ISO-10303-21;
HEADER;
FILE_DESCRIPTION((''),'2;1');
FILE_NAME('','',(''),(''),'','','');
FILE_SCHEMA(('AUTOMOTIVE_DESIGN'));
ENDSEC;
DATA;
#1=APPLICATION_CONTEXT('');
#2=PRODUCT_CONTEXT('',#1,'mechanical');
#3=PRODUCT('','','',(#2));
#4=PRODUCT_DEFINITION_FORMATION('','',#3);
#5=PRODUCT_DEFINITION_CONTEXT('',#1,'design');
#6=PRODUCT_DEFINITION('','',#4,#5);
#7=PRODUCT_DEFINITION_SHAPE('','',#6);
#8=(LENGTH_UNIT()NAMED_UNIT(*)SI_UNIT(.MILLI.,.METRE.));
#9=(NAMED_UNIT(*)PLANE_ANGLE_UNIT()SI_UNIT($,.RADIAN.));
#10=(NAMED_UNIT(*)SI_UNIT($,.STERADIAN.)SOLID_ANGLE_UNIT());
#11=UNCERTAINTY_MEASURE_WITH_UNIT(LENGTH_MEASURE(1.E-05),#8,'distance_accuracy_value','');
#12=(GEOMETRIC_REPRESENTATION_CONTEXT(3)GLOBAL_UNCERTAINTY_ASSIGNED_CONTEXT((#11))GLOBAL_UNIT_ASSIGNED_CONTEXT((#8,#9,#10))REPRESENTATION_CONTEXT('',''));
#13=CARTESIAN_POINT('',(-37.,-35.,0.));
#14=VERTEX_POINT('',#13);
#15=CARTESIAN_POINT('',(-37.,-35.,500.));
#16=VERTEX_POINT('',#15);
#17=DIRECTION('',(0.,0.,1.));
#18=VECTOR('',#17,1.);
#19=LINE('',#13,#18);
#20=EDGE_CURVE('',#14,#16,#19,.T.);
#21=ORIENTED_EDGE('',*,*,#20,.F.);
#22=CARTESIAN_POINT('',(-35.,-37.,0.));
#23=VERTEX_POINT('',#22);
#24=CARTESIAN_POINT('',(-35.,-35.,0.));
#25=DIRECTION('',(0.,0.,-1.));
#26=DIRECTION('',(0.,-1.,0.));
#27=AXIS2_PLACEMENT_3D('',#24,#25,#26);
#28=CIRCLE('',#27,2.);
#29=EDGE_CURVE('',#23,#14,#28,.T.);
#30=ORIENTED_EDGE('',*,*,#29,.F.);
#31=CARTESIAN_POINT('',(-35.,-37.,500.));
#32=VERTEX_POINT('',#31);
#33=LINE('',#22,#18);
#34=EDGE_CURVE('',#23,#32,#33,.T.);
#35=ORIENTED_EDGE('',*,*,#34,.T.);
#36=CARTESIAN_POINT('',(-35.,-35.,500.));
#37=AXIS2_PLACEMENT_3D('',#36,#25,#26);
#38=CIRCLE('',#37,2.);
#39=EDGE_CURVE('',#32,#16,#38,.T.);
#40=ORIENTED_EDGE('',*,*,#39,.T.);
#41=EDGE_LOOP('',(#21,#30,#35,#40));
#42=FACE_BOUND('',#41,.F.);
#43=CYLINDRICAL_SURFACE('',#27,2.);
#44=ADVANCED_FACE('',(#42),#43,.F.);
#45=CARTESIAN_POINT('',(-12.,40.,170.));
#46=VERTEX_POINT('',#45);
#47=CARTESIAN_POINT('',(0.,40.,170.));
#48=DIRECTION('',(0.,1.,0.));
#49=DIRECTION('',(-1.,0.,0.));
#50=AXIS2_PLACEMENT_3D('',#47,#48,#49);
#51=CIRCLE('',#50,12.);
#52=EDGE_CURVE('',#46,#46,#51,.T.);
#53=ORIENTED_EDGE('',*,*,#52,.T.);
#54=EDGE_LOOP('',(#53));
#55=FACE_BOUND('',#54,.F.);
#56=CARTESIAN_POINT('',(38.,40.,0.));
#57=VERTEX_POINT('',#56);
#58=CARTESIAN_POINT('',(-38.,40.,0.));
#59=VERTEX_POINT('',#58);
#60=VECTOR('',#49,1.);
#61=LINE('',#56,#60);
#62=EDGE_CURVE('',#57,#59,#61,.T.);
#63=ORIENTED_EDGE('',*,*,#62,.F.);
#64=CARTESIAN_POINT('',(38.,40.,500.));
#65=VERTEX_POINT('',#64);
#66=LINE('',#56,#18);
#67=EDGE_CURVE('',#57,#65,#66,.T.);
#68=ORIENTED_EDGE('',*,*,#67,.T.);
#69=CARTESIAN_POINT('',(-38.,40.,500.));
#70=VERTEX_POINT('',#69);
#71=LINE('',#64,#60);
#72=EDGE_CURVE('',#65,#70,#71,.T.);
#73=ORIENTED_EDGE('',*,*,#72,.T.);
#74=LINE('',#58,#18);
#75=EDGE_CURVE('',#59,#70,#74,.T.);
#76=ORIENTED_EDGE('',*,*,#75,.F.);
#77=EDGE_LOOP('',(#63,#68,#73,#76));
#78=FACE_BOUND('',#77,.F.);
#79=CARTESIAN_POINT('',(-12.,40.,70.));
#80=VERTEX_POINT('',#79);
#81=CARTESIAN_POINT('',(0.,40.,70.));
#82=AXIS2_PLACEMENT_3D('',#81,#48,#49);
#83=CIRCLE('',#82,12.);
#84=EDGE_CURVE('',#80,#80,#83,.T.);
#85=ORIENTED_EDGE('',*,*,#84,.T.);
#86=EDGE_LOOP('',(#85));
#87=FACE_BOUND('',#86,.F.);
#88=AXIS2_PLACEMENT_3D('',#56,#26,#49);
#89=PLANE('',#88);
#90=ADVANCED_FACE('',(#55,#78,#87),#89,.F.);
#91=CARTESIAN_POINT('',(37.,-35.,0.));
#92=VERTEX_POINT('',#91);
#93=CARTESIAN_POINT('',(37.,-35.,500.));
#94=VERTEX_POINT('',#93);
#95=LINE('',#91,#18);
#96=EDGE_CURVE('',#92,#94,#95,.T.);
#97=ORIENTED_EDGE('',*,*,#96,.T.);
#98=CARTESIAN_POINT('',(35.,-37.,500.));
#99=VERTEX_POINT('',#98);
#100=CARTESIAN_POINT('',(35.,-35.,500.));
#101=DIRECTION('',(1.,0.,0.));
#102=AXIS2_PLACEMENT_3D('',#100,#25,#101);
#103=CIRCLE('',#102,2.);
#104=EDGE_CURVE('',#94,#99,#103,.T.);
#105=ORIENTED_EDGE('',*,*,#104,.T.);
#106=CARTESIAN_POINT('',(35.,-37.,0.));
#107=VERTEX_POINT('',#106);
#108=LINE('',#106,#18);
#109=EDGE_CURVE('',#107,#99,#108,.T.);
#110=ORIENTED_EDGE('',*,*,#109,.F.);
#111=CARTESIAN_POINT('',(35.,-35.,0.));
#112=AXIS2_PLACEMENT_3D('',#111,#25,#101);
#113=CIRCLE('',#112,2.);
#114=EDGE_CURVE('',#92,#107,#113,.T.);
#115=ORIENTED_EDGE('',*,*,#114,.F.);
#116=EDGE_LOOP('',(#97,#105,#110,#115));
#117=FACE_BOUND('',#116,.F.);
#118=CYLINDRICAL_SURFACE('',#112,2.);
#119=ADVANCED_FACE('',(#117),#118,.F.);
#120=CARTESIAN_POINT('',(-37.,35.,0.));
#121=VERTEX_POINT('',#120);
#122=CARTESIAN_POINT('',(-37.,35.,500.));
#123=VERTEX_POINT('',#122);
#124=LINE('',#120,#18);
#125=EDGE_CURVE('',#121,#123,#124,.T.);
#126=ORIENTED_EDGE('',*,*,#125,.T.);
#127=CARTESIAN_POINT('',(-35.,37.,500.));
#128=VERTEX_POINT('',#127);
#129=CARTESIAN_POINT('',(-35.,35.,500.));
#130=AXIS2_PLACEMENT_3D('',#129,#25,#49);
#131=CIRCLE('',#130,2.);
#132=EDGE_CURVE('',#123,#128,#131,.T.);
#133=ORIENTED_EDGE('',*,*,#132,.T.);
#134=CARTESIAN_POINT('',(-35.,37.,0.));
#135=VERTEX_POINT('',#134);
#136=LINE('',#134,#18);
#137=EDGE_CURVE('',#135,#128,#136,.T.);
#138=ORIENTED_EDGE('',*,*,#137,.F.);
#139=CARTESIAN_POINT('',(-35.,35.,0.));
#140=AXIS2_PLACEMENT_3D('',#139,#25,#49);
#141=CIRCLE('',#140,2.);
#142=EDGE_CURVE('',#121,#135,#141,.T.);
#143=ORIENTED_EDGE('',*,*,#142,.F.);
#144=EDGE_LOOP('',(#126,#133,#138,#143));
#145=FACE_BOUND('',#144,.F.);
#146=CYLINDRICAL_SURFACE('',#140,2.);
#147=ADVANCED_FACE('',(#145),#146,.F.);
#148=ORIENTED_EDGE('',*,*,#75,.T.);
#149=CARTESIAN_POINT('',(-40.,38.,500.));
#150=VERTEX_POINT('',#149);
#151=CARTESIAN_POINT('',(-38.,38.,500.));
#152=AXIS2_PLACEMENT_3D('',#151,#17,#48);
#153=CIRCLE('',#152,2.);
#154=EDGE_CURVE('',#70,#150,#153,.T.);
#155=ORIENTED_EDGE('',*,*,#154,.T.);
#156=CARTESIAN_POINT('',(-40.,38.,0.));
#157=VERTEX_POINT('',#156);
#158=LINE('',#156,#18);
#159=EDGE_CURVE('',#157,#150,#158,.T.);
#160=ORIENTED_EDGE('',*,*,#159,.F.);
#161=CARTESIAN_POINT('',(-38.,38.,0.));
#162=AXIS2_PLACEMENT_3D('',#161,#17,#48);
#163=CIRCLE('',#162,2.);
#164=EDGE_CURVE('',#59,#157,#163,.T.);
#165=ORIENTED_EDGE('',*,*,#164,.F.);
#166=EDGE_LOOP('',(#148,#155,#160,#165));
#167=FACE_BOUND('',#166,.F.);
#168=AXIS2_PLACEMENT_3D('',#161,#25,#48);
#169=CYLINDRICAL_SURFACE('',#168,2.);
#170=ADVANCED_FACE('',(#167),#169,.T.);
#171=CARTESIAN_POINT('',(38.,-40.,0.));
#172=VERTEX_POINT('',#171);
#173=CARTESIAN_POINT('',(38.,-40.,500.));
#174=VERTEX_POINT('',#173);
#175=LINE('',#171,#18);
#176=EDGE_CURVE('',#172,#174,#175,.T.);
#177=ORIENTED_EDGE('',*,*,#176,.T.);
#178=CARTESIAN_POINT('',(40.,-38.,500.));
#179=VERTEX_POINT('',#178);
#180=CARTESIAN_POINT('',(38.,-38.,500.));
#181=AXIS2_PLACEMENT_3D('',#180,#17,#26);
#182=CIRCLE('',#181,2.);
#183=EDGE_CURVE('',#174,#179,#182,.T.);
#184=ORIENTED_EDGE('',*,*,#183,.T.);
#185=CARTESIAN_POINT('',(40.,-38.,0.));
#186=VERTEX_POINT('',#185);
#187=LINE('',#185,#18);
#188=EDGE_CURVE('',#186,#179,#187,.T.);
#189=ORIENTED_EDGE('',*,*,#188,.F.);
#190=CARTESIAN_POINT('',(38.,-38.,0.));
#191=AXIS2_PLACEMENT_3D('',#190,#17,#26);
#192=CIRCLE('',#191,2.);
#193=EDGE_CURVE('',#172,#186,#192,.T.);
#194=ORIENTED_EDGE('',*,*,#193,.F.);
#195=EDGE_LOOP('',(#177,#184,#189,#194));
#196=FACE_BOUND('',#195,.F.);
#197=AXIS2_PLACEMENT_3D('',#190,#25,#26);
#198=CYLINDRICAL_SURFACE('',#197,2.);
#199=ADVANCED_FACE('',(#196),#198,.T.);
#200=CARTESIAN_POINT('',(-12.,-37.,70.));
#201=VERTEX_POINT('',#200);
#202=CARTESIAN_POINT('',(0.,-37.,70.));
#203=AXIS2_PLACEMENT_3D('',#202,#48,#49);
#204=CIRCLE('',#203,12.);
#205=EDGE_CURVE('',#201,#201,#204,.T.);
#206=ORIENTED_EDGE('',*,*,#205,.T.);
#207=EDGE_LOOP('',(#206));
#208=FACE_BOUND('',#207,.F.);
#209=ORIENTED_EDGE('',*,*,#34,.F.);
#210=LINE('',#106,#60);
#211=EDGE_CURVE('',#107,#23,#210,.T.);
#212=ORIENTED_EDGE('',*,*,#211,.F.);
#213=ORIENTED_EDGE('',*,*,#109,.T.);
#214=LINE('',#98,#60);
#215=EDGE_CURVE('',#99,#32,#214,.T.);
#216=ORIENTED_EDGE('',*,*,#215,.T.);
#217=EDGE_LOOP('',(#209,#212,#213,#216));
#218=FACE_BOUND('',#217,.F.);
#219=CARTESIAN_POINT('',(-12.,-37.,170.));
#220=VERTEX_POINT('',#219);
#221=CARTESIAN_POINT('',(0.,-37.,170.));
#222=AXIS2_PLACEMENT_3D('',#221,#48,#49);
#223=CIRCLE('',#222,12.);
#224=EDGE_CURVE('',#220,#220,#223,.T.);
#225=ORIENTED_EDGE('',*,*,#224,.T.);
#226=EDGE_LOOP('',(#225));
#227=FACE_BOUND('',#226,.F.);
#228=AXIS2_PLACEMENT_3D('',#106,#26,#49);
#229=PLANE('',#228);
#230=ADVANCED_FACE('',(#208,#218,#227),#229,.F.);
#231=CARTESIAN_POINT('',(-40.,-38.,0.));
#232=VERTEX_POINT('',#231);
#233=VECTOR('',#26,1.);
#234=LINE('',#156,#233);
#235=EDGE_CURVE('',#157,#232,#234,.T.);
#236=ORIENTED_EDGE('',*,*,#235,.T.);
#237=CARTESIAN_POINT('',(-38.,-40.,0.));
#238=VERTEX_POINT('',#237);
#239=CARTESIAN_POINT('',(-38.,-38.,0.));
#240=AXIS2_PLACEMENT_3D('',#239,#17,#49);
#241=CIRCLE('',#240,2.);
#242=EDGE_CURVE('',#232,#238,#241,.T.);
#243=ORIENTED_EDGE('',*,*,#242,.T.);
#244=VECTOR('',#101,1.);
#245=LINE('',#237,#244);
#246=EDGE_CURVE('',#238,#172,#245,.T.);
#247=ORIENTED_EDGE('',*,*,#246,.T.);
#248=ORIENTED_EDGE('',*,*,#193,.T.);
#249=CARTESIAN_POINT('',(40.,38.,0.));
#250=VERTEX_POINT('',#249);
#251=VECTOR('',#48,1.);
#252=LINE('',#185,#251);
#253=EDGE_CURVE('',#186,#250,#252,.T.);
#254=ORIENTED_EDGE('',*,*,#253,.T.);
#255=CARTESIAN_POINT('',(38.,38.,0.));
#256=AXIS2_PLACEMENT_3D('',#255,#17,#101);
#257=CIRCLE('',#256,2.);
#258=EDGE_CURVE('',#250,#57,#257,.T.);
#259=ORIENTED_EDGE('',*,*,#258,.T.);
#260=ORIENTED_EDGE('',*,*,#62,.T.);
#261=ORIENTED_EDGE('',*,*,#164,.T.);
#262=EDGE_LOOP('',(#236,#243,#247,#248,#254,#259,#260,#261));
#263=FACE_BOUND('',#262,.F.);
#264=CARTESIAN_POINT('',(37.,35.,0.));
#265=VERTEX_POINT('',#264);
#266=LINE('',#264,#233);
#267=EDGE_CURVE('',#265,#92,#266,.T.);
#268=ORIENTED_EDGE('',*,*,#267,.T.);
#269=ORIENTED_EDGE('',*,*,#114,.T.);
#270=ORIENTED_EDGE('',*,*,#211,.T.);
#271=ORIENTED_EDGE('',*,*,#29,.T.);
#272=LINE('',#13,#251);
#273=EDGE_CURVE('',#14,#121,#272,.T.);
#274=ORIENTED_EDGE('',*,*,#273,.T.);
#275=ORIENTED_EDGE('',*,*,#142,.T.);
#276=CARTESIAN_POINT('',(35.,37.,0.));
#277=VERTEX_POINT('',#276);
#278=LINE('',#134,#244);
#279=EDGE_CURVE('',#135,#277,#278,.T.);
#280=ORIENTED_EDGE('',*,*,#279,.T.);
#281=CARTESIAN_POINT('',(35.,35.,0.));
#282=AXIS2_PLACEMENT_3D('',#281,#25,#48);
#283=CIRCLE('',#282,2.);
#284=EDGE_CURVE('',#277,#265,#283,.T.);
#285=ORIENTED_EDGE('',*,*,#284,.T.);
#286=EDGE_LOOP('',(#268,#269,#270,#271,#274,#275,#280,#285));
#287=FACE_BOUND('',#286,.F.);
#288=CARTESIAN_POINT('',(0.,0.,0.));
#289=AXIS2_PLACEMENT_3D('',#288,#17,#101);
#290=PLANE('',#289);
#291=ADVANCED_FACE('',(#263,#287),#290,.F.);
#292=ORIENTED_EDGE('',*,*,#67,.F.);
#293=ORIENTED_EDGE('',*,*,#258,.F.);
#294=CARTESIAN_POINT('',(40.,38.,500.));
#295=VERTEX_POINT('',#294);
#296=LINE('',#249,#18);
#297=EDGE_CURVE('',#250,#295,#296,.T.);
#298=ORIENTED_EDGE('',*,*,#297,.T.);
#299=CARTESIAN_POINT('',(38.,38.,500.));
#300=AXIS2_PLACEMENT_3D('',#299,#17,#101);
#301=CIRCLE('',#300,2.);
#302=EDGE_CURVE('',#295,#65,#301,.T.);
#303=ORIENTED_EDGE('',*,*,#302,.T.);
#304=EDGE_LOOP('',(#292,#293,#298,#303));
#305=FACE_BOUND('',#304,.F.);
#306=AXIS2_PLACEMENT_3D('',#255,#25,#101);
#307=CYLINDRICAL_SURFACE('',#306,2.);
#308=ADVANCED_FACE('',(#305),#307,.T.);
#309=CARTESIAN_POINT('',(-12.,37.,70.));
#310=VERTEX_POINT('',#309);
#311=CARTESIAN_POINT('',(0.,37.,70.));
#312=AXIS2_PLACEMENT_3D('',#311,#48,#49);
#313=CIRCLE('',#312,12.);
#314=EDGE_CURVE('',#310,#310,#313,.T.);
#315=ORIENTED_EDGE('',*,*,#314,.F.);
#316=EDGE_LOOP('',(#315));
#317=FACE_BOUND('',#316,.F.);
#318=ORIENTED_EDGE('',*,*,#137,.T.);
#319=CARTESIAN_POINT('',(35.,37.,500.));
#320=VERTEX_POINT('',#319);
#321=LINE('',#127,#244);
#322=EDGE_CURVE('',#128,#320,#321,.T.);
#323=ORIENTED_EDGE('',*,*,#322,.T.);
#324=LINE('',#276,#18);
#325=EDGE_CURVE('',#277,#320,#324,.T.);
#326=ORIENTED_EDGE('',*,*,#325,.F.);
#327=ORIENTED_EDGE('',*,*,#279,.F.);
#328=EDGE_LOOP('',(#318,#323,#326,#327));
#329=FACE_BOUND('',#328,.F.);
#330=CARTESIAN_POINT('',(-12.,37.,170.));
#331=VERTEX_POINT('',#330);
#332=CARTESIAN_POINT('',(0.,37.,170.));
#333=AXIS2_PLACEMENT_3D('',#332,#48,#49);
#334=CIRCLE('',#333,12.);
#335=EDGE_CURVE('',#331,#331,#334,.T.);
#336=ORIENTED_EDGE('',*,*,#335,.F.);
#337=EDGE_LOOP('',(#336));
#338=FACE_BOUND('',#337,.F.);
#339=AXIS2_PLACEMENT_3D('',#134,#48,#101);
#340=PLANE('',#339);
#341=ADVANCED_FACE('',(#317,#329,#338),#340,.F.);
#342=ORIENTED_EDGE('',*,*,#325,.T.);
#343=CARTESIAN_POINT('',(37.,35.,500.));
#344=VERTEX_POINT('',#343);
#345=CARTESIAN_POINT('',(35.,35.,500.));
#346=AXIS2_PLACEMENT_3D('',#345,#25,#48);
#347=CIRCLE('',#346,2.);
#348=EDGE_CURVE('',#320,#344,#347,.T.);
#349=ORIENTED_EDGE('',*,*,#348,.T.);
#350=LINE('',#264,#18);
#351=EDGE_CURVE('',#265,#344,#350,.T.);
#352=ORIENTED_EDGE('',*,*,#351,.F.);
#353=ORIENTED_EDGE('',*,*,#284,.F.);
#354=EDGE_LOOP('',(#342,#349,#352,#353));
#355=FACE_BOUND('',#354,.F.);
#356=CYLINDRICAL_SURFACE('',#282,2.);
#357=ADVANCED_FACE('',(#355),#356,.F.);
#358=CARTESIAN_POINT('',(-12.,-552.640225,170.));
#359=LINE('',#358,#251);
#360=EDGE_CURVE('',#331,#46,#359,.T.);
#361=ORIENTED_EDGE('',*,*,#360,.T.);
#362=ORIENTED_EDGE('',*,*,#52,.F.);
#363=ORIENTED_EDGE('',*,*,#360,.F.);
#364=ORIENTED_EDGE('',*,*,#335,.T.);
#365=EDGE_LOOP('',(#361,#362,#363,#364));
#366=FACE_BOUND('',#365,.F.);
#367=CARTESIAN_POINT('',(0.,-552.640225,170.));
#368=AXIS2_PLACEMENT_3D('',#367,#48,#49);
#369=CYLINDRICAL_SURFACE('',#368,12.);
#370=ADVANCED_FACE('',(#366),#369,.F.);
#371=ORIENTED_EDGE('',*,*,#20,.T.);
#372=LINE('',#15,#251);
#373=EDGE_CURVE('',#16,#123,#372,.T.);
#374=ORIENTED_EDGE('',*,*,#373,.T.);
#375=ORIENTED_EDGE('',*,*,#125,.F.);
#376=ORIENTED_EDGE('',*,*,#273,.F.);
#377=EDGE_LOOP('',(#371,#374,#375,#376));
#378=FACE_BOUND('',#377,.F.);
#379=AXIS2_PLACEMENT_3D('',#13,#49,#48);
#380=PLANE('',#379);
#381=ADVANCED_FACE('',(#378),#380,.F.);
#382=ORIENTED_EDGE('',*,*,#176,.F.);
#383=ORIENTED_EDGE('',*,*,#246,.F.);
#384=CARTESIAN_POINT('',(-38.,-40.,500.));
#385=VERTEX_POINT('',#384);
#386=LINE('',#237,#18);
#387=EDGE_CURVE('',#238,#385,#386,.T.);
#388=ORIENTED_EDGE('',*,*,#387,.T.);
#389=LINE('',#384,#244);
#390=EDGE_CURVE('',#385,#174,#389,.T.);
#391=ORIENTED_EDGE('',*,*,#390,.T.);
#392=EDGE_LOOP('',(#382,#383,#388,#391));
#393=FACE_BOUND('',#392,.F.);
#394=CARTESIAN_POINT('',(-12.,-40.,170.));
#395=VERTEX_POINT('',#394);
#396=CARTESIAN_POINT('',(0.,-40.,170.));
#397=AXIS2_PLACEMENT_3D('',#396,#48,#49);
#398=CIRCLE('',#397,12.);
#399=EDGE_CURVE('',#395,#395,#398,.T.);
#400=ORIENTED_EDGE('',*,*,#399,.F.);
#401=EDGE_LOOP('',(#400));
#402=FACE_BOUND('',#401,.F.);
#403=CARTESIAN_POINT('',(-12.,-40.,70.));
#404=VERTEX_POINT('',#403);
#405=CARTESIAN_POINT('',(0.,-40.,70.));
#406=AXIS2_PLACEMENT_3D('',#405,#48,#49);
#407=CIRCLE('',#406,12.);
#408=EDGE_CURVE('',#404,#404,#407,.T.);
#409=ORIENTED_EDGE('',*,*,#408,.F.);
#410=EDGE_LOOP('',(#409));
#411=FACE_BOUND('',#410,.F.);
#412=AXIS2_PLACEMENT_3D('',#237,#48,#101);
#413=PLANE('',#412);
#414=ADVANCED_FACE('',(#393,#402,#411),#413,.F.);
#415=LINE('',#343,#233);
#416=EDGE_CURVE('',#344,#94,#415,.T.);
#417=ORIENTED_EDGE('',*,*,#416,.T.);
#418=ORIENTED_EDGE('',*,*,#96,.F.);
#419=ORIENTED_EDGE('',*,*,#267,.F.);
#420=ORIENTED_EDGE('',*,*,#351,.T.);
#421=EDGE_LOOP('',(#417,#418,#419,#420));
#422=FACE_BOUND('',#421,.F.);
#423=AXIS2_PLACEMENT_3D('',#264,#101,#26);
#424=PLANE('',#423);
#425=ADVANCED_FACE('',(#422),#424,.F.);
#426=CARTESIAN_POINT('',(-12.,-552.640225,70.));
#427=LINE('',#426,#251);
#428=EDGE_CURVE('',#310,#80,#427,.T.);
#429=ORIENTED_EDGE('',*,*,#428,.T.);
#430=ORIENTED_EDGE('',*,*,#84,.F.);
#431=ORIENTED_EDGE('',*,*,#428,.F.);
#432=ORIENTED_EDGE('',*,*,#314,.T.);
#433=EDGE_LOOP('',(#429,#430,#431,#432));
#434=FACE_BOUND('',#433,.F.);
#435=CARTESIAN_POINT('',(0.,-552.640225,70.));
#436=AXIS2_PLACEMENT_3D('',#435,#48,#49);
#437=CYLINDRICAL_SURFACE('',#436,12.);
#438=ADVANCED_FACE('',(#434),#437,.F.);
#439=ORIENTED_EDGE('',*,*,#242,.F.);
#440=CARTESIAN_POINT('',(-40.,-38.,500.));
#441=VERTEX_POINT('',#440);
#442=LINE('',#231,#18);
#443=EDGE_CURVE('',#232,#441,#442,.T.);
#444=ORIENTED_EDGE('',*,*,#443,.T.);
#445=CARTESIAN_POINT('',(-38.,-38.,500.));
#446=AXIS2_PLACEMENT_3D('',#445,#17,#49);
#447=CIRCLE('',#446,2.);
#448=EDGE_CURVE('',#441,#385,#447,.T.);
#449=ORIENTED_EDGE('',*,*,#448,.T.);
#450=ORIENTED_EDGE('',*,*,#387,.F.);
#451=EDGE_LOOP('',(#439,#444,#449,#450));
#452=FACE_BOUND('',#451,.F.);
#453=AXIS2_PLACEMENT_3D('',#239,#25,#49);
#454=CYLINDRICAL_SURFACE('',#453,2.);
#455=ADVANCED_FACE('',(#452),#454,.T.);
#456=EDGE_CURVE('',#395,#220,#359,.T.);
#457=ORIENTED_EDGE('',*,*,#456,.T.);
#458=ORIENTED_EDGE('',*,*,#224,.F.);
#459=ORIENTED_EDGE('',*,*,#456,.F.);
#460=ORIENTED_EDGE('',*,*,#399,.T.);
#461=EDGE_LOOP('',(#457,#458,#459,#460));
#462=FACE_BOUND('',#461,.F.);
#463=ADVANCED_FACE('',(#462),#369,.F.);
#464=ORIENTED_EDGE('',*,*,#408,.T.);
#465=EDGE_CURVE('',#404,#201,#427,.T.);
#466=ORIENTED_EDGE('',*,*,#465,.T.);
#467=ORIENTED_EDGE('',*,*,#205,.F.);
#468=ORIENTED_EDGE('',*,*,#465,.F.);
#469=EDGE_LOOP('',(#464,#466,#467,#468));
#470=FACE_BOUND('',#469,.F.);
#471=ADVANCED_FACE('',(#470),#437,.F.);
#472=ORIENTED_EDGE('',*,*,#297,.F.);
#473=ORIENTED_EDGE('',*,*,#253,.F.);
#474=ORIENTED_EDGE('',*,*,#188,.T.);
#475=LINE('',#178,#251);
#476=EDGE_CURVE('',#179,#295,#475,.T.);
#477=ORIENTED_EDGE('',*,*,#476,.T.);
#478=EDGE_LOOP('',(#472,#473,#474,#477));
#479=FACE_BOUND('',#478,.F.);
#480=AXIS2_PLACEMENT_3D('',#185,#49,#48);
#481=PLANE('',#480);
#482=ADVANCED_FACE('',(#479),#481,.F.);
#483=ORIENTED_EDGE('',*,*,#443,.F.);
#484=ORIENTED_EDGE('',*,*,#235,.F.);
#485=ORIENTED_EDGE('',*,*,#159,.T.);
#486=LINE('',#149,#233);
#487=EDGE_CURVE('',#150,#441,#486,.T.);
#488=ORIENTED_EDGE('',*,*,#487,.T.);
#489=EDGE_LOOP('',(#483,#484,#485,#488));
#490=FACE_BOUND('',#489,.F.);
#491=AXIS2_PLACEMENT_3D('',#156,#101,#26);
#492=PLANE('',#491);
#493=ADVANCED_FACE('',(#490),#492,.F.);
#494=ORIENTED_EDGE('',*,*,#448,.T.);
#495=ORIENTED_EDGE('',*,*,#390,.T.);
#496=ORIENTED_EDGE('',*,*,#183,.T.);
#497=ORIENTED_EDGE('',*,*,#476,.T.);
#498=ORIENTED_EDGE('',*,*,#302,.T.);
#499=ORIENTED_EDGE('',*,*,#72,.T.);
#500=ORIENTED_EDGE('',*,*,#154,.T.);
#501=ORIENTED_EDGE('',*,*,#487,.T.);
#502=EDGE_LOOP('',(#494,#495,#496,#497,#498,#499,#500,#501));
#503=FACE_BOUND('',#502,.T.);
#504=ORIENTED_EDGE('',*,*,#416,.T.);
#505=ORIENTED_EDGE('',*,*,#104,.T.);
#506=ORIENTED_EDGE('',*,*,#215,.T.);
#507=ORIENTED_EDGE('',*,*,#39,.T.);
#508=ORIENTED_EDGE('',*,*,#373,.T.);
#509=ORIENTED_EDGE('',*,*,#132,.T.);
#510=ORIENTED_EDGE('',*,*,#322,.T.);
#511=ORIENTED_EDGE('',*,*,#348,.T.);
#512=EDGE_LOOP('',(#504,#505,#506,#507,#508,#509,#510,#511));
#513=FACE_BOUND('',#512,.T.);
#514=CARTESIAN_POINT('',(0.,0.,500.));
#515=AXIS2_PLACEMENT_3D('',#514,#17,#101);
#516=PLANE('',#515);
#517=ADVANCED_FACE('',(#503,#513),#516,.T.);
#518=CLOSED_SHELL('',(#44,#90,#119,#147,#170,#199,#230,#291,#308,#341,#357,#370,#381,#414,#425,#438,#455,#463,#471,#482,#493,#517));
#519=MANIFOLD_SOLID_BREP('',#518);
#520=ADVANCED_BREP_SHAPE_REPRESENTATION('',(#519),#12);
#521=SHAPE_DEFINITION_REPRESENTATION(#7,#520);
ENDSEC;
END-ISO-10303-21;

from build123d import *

# Parameters (mm, degrees)
F1_DEPTH = 500
F4_D     = 24


with BuildPart() as f1:
    # F0 (on Top) → F1 (new body)
    with BuildSketch(Plane.XY):
        with BuildLine():
            Line((-38, -40), (38, -40))
            ThreePointArc((38, -40), (39.4142135624, -39.4142135624), (40, -38))
            Line((40, -38), (40, 38))
            ThreePointArc((40, 38), (39.4142135624, 39.4142135624), (38, 40))
            Line((38, 40), (-38, 40))
            ThreePointArc((-38, 40), (-39.4142135624, 39.4142135624), (-40, 38))
            Line((-40, 38), (-40, -38))
            ThreePointArc((-40, -38), (-39.4142135624, -39.4142135624), (-38, -40))
        make_face()
        with BuildLine():
            Line((-35, 37), (35, 37))
            ThreePointArc((35, 37), (36.4142135624, 36.4142135624), (37, 35))
            Line((37, 35), (37, -35))
            ThreePointArc((37, -35), (36.4142135624, -36.4142135624), (35, -37))
            Line((35, -37), (-35, -37))
            ThreePointArc((-35, -37), (-36.4142135624, -36.4142135624), (-37, -35))
            Line((-37, -35), (-37, 35))
            ThreePointArc((-37, 35), (-36.4142135624, 36.4142135624), (-35, 37))
        make_face(mode=Mode.SUBTRACT)
    extrude(amount=F1_DEPTH)

    # F4 (through all)
    with Locations(Plane.XZ.offset(40)):
        with Locations((0, 170), (0, 70)):
            Hole(F4_D / 2)


solid = f1.part
